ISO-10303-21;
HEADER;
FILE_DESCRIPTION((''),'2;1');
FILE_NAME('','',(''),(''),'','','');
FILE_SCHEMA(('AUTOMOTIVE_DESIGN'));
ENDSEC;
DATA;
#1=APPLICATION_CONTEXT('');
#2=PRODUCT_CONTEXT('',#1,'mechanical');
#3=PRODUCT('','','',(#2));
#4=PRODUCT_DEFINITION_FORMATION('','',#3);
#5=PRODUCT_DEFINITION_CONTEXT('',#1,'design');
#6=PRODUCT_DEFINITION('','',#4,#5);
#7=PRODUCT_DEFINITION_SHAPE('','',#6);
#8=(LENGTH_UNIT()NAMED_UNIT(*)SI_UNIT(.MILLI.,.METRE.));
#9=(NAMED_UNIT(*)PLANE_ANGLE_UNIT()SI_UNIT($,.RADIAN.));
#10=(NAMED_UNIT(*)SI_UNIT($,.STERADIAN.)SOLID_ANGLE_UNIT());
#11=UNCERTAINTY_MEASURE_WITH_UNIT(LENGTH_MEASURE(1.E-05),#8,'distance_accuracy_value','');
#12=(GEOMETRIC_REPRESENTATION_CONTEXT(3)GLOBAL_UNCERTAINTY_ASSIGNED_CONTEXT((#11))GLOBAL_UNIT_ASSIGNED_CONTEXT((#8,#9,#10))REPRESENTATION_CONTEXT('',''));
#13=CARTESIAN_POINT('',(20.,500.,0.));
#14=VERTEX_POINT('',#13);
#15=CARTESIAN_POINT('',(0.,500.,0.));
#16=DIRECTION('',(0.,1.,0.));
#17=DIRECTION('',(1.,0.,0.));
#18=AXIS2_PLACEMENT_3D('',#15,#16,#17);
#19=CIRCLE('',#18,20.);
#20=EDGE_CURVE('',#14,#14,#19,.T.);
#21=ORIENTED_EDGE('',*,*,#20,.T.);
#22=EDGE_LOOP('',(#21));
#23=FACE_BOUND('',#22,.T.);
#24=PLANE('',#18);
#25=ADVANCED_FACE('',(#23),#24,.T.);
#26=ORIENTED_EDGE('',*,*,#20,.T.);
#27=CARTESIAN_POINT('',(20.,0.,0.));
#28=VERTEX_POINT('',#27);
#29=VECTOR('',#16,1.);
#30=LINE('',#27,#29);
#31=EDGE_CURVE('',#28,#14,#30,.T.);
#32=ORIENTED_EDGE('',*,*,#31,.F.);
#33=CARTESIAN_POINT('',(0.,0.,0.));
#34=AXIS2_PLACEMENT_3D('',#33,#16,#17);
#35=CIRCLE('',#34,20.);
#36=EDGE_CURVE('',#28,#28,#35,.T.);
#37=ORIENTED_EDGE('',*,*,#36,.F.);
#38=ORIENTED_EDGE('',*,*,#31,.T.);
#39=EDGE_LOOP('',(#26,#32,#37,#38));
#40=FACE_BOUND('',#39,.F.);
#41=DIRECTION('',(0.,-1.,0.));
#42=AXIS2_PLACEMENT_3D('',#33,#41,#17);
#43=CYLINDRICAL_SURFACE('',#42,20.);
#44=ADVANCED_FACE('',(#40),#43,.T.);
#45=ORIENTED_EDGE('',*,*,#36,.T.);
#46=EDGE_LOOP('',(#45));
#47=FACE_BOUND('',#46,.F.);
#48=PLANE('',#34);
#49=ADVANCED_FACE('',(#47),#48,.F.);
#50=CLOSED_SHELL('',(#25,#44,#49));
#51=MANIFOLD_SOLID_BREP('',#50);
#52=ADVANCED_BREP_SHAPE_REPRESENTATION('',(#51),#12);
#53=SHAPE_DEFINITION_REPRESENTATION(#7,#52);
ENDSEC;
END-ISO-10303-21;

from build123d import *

# Parameters (mm, degrees)
SKETCH1_R           = 20
BOSS_EXTRUDE1_DEPTH = 500


with BuildPart() as part:
    # Sketch1 → Boss-Extrude1 (new body)
    with BuildSketch(Plane(origin=(0, 0, 0), x_dir=(1, 0, 0), z_dir=(0, 1, 0))):
        Circle(SKETCH1_R)
    extrude(amount=BOSS_EXTRUDE1_DEPTH)


solid = part.part
